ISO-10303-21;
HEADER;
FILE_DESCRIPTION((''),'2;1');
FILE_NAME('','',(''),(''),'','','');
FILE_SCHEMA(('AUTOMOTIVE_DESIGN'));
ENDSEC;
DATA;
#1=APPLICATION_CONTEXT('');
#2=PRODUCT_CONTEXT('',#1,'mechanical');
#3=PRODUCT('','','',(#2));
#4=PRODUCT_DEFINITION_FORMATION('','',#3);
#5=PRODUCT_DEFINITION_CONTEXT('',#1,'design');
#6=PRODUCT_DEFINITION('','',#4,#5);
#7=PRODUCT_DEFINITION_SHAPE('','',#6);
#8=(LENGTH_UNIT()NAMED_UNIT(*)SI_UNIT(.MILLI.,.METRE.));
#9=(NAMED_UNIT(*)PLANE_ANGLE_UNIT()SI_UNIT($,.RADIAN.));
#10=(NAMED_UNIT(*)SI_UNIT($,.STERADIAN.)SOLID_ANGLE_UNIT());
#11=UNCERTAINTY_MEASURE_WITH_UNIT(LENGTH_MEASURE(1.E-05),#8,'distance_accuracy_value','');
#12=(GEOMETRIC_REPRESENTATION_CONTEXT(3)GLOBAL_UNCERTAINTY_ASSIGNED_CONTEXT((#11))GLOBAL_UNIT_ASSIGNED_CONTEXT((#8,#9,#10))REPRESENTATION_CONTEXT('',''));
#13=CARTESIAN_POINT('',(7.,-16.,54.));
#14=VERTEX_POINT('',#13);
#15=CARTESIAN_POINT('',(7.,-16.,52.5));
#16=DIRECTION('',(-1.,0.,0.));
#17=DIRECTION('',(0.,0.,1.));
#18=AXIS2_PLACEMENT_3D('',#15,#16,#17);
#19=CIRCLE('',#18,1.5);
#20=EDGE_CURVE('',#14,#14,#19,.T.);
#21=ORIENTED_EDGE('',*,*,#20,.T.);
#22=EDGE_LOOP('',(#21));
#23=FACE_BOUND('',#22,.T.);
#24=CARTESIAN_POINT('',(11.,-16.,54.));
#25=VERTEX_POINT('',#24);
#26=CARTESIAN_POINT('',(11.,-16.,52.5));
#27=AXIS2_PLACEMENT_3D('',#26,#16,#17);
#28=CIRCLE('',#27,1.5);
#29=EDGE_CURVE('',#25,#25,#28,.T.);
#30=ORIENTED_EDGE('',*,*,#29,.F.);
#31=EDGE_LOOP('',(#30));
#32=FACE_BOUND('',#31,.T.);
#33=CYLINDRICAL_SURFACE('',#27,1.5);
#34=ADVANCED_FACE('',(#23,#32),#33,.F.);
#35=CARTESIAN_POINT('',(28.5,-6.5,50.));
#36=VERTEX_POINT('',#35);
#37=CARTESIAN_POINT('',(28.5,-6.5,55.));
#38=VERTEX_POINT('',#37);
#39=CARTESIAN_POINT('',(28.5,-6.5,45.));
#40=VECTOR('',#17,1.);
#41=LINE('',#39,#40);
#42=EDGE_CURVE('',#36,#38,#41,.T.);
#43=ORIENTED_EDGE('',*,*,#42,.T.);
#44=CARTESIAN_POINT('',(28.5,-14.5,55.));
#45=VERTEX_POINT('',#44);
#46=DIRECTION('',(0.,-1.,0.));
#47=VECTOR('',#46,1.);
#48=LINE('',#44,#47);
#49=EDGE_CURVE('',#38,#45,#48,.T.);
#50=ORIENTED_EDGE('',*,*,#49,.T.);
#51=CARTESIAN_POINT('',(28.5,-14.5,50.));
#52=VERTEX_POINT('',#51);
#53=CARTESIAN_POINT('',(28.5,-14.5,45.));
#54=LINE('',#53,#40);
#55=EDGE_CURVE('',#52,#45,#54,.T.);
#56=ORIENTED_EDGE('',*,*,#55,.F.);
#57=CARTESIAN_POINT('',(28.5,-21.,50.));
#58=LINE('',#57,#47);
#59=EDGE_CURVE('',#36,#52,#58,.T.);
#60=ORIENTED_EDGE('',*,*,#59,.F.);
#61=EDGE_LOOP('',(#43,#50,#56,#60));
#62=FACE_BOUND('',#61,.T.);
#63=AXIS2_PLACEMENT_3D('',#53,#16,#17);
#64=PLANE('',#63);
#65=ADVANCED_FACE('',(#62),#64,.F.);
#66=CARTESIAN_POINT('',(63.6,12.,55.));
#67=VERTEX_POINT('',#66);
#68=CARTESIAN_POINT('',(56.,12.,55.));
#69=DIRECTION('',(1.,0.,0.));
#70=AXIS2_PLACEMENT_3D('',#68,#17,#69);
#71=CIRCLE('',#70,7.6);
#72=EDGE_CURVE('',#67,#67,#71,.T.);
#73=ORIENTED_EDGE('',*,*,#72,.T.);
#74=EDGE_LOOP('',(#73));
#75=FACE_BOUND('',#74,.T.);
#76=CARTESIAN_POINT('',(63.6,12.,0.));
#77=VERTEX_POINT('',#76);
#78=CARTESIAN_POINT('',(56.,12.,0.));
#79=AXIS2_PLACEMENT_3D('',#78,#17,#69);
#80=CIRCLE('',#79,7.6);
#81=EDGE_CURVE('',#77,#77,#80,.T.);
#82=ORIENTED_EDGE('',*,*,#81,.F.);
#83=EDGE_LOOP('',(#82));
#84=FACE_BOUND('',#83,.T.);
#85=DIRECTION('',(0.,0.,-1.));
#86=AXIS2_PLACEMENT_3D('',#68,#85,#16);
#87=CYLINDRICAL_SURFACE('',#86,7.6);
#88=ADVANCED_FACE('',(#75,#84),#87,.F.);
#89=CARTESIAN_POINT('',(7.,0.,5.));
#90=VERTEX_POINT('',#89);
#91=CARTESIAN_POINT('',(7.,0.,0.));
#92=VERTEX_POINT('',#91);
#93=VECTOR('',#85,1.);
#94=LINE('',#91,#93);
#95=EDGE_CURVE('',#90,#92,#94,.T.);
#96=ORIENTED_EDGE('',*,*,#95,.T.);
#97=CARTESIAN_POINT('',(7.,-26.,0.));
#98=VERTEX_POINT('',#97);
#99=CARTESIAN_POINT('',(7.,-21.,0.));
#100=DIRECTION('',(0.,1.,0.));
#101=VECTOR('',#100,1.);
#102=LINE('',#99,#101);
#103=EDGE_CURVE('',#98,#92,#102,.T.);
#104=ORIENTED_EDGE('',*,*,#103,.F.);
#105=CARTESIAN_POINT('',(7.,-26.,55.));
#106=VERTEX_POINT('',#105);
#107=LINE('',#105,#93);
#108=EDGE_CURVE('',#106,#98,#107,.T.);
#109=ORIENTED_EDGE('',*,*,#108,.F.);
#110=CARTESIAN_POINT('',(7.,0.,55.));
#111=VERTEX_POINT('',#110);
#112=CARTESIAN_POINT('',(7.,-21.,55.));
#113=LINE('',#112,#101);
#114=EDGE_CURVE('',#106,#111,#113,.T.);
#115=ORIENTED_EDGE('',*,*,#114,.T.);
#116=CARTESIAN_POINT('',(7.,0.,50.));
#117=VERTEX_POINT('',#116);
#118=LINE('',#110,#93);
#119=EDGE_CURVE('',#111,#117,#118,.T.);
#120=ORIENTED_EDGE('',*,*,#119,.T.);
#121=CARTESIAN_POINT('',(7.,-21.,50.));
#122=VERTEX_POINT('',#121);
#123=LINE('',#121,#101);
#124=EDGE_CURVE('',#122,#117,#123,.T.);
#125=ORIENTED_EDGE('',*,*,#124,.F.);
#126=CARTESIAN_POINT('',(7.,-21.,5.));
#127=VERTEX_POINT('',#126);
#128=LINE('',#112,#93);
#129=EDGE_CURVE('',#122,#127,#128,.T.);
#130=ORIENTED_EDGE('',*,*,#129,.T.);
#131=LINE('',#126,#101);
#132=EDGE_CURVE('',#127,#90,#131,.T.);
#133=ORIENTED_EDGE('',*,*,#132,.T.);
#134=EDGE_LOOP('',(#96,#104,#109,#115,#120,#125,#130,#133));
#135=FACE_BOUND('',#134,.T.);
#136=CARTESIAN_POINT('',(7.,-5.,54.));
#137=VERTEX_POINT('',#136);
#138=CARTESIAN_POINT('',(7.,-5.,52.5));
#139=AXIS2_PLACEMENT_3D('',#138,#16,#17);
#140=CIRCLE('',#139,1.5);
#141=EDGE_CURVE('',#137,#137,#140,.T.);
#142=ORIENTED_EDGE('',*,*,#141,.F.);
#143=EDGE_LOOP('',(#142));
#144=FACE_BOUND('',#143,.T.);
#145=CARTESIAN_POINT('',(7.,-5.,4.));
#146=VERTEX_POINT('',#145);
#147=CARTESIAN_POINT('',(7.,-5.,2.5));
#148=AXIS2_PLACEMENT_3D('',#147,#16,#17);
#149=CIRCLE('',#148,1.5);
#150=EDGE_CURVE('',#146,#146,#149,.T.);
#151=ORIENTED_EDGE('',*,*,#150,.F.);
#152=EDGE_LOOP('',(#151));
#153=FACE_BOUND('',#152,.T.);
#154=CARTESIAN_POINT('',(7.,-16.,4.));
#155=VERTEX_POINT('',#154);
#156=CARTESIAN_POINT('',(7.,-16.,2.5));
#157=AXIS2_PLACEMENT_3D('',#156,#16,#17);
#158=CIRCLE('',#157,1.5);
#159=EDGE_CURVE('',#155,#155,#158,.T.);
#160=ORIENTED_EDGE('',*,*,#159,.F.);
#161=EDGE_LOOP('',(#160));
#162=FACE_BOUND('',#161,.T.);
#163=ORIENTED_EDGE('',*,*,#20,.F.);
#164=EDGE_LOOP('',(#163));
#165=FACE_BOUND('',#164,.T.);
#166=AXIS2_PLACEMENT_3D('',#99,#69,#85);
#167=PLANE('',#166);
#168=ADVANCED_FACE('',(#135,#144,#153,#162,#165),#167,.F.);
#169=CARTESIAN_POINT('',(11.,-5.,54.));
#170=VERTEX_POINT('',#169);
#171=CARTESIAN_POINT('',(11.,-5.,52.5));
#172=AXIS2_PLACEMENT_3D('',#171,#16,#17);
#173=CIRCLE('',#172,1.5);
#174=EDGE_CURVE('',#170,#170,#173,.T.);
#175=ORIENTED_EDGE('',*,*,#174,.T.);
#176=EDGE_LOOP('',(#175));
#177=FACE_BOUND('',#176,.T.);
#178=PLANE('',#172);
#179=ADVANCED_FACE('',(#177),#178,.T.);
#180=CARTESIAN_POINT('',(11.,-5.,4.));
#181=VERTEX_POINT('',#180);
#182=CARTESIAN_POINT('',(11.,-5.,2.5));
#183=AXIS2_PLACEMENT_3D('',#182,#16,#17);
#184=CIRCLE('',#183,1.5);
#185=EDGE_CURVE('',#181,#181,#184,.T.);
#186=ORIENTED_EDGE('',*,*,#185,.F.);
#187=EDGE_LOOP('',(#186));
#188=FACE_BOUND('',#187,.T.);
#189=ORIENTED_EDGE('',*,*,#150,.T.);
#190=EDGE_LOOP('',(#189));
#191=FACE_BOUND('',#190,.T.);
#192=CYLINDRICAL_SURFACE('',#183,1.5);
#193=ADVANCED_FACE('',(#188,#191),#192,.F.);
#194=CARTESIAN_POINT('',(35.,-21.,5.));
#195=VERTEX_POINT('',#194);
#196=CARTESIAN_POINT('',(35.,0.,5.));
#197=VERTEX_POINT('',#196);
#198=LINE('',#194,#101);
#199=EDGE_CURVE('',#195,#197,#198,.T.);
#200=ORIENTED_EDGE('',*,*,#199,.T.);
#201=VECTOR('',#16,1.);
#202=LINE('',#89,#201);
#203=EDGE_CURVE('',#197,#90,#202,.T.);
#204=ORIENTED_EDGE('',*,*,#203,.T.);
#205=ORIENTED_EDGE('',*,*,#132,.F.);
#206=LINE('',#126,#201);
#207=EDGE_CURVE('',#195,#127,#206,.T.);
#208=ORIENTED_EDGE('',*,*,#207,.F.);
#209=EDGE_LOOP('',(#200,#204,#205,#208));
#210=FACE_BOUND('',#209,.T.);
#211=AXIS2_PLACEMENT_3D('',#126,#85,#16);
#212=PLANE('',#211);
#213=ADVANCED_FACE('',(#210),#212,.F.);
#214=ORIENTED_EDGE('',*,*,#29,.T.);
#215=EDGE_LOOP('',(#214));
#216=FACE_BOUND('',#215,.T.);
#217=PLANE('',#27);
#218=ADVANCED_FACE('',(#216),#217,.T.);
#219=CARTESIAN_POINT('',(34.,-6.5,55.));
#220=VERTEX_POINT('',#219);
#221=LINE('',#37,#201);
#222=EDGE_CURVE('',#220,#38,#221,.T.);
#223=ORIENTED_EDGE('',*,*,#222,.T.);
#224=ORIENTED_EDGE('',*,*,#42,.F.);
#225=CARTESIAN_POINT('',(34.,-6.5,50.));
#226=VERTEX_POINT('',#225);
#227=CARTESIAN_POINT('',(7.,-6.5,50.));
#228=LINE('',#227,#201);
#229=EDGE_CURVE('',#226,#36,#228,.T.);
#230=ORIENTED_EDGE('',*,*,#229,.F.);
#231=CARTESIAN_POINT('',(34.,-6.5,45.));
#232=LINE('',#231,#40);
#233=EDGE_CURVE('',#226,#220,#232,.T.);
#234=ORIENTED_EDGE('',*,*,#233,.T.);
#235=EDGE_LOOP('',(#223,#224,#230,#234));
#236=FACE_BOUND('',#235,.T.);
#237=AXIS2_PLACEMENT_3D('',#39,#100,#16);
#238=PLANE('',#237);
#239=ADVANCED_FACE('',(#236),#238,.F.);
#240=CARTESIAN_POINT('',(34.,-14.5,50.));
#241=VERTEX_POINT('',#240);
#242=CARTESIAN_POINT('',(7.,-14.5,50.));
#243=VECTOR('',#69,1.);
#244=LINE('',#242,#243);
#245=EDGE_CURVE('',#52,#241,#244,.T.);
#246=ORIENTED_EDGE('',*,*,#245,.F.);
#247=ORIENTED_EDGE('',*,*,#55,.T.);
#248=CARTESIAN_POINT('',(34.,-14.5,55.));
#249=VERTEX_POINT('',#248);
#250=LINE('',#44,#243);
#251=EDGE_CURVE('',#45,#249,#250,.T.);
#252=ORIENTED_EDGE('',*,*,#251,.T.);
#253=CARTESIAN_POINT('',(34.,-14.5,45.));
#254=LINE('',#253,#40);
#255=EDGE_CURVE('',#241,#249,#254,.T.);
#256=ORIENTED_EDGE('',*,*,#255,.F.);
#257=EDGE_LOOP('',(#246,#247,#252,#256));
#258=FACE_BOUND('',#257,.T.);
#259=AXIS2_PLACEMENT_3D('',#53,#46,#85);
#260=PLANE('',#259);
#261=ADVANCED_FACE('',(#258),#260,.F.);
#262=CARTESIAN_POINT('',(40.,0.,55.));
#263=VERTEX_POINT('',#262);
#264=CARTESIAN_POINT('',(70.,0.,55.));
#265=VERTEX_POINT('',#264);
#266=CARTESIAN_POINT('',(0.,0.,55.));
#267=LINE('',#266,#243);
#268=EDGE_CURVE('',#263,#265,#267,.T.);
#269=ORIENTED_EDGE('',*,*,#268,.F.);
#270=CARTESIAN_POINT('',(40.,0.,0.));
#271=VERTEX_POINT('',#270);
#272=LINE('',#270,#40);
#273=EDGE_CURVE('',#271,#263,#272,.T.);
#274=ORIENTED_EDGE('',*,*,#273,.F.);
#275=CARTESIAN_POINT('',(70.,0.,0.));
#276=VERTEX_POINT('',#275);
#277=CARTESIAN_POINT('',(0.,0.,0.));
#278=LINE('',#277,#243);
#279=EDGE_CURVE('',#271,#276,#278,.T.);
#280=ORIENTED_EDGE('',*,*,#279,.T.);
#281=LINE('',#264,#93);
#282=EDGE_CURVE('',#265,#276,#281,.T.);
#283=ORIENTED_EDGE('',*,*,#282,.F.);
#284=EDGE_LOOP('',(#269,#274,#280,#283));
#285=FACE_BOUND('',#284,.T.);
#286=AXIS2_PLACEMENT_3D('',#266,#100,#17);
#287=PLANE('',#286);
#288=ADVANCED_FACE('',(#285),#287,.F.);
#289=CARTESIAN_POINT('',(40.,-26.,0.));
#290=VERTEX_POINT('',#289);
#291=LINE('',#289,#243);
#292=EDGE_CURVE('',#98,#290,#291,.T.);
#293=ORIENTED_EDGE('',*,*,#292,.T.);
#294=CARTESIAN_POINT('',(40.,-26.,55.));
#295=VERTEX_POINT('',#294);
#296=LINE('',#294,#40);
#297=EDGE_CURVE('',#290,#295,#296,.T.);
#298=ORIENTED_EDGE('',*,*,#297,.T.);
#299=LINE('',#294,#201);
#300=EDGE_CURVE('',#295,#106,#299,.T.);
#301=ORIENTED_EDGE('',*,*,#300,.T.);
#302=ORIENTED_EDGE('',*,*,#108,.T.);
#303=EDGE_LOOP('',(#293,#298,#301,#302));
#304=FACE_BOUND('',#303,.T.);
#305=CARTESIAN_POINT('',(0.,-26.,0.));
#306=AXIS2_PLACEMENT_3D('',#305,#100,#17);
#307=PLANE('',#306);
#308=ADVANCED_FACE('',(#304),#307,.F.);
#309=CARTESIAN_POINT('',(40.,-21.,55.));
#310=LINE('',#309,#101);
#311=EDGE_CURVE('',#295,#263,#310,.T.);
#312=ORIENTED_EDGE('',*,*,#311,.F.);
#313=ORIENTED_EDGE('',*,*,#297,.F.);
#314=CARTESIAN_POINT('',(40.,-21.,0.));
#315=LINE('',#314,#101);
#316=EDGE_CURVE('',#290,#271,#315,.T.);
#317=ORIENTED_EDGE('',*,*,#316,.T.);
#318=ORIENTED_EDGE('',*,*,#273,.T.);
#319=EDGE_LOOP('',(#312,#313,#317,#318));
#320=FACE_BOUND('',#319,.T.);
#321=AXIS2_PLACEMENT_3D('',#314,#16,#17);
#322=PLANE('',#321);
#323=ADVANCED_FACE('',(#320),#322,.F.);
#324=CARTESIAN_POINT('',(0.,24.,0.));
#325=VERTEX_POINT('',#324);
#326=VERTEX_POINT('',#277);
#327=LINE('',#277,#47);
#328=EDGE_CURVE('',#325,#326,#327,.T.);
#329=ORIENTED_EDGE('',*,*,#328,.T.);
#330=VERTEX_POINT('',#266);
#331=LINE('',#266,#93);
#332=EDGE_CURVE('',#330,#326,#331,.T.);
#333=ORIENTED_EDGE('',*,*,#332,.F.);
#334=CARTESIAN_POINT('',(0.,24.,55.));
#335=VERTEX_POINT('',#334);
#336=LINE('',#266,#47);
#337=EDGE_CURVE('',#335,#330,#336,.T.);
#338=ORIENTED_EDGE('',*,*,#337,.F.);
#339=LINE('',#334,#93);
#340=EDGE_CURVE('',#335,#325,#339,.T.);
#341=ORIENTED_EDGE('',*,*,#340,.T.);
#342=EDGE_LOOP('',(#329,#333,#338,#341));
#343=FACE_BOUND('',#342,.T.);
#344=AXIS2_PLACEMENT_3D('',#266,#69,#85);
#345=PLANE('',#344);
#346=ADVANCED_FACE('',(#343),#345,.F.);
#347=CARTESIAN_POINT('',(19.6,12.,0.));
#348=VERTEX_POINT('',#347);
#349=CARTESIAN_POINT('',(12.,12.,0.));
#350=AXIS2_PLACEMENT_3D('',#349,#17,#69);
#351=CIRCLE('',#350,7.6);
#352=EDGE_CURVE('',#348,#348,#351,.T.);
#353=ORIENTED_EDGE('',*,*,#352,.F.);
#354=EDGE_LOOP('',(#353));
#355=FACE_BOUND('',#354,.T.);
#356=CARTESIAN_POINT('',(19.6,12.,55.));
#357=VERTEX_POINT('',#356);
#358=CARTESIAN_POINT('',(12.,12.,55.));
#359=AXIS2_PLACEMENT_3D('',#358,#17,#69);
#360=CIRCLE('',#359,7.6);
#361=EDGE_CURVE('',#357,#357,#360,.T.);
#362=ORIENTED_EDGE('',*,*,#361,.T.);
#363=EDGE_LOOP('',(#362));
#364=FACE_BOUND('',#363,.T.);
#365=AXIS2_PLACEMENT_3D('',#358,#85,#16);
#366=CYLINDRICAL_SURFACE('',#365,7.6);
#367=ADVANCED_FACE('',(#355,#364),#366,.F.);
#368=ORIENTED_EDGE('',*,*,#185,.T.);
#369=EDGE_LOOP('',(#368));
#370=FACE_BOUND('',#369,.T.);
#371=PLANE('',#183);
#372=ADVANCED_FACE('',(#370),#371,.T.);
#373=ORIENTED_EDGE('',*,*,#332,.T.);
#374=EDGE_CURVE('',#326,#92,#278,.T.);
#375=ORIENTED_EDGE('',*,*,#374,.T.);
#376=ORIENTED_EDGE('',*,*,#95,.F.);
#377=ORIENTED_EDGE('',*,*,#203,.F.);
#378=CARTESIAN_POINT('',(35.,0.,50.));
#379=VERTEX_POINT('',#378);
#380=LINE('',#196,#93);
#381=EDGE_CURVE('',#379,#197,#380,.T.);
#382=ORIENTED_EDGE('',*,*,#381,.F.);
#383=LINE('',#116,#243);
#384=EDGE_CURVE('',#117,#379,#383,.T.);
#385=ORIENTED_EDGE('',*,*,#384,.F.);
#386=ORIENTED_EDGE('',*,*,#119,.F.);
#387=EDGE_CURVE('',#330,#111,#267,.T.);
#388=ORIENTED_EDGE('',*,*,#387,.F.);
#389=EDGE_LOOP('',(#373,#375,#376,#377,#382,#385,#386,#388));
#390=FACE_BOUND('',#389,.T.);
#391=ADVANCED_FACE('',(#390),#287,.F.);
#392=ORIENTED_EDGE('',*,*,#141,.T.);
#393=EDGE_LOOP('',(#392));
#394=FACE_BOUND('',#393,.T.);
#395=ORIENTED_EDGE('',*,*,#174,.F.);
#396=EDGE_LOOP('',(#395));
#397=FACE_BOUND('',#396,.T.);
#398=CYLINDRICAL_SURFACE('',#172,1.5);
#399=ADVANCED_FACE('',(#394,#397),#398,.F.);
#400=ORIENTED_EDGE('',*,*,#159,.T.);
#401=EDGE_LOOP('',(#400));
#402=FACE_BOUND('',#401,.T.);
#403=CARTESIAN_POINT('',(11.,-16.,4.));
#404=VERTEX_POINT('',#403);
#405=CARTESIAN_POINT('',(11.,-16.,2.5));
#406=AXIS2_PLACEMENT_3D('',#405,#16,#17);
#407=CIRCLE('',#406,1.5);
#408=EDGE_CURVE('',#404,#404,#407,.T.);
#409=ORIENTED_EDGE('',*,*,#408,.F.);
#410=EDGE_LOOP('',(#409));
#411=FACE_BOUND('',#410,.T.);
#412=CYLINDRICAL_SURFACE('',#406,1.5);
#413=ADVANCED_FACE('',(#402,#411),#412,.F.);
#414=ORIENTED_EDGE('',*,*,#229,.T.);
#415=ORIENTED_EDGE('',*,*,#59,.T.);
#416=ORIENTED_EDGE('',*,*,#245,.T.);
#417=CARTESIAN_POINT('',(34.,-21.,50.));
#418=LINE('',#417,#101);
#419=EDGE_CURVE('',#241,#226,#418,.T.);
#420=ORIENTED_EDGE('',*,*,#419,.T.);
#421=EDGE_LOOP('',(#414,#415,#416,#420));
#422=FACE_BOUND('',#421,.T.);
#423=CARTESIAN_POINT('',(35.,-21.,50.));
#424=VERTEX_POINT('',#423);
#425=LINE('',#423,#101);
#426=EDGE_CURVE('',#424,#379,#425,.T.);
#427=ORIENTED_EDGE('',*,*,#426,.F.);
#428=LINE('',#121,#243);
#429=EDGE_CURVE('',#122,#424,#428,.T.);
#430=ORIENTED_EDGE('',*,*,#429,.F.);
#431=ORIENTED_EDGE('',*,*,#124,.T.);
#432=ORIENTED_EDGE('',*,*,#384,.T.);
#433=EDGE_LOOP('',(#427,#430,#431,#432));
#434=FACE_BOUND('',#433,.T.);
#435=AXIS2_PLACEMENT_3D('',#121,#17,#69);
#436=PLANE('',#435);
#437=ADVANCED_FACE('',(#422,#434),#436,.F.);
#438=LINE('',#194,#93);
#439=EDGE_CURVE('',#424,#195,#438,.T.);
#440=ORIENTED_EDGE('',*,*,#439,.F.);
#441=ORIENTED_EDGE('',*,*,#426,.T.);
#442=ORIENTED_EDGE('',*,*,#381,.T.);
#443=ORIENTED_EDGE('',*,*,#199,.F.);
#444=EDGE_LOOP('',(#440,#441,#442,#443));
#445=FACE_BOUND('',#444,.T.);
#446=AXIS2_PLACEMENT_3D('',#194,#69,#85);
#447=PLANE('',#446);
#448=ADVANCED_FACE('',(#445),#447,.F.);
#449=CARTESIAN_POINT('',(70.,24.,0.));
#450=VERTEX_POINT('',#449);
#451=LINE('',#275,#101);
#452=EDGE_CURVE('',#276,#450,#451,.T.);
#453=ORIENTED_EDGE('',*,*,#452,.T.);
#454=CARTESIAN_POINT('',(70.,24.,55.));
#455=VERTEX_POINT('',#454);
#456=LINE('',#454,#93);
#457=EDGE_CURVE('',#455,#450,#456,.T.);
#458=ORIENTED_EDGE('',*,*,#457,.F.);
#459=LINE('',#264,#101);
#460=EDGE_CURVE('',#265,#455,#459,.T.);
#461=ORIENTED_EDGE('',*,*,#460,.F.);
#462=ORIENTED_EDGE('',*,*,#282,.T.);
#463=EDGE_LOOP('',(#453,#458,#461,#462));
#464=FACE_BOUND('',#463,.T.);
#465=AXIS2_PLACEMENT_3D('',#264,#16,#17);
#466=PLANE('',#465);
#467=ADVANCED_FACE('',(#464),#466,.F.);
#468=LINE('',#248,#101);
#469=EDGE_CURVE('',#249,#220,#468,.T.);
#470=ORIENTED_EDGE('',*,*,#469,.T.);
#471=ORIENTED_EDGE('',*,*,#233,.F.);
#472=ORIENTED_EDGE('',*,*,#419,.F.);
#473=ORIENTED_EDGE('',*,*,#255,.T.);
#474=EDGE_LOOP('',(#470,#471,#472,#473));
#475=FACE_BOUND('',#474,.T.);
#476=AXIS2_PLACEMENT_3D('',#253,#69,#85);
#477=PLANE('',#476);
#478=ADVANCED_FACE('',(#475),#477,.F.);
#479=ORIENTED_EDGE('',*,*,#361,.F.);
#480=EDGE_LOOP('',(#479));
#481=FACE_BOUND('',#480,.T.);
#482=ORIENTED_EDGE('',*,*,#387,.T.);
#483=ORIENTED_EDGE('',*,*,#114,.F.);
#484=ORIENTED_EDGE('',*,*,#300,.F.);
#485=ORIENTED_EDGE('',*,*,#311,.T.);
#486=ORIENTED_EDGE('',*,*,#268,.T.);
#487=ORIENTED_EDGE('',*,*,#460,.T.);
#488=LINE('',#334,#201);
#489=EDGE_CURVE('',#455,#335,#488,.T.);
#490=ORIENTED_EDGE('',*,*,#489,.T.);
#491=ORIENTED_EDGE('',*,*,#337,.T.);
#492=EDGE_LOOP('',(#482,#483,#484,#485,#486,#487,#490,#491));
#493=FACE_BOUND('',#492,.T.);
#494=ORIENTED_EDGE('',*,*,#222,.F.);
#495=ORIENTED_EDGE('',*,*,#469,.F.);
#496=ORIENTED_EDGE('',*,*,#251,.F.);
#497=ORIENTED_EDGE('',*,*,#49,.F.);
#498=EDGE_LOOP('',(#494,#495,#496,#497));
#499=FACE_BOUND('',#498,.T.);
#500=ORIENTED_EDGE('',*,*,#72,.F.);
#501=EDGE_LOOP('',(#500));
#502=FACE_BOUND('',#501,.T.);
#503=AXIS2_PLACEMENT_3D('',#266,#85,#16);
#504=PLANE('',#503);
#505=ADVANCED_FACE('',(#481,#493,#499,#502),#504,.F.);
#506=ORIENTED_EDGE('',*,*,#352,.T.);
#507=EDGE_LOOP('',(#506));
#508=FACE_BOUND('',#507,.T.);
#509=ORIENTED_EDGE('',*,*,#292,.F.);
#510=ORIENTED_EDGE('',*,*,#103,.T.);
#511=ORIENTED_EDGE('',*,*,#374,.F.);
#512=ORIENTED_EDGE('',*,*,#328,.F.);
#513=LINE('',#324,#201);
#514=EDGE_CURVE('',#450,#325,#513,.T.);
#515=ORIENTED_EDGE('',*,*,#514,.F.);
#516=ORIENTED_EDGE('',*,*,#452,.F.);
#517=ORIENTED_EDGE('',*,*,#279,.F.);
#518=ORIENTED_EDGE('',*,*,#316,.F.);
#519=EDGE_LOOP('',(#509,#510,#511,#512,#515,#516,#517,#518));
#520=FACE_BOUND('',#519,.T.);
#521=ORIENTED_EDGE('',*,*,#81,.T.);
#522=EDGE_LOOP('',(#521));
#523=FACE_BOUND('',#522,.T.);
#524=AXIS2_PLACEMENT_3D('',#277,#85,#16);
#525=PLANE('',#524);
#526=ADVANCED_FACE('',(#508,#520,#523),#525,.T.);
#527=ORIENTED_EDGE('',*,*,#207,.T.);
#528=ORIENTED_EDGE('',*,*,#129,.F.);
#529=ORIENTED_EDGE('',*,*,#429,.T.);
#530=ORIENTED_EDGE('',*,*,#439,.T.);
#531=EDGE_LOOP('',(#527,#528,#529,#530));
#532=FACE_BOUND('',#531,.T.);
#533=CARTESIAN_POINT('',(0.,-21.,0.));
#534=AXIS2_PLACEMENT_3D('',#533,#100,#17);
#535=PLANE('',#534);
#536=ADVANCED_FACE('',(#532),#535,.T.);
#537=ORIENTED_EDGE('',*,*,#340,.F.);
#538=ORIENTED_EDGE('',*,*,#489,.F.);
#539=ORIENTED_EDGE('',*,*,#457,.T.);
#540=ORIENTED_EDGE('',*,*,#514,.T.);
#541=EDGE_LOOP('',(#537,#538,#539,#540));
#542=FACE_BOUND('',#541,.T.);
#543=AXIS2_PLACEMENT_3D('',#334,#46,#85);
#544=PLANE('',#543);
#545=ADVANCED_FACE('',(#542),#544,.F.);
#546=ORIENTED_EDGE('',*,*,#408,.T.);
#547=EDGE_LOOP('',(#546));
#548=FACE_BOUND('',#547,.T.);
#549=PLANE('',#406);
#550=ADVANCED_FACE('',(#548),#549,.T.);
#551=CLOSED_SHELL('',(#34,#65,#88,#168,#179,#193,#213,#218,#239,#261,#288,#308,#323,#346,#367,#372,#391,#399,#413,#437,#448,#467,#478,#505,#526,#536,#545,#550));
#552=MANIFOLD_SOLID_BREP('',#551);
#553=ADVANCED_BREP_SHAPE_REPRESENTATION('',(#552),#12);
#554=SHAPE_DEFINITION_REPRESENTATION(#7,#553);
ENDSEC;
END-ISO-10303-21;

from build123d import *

# Parameters (mm, degrees)
ESQUISSE1_W             = 70
ESQUISSE1_H             = 24
BOSS_EXTRU_1_DEPTH      = 55
ESQUISSE2_R             = 7.6
ENL_V_MAT_EXTRU_1_DEPTH = 93.200867675
BOSS_EXTRU_3_DEPTH      = 21
ESQUISSE9_W             = 33
ESQUISSE9_H             = 55
BOSS_EXTRU_4_DEPTH      = 5
ESQUISSE10_R            = 1.5
ENL_V_MAT_EXTRU_4_DEPTH = 4
ESQUISSE11_W            = 5.5
ESQUISSE11_H            = 8
ENL_V_MAT_EXTRU_5_DEPTH = 10


with BuildPart() as part:
    # Esquisse1 → Boss.-Extru.1 (new body)
    with BuildSketch(Plane.XY):
        with Locations((35, 12)):
            Rectangle(ESQUISSE1_W, ESQUISSE1_H)
    extrude(amount=BOSS_EXTRU_1_DEPTH)

    # Esquisse2 → Enlèv. mat.-Extru.1 (cut, through all)
    with BuildSketch(Plane.XY):
        with Locations((56, 12)):
            Circle(ESQUISSE2_R)
        with Locations((12, 12)):
            Circle(ESQUISSE2_R)
    extrude(amount=ENL_V_MAT_EXTRU_1_DEPTH, mode=Mode.SUBTRACT)

    # Esquisse6 → Boss.-Extru.3 (add)
    with BuildSketch(Plane.XZ):
        Polygon((7, 0), (40, 0), (40, 55), (7, 55), (7, 50), (35, 50), (35, 5), (7, 5), align=None)
    extrude(amount=BOSS_EXTRU_3_DEPTH)

    # Esquisse9 → Boss.-Extru.4 (add)
    with BuildSketch(Plane.XZ.offset(21)):
        with Locations((23.5, 27.5)):
            Rectangle(ESQUISSE9_W, ESQUISSE9_H)
    extrude(amount=BOSS_EXTRU_4_DEPTH)

    # Esquisse10 → Enlèv. mat.-Extru.4 (cut)
    with BuildSketch(Plane.ZY.offset(-7)):
        with Locations((52.5, -16)):
            Circle(ESQUISSE10_R)
        with Locations((52.5, -5)):
            Circle(ESQUISSE10_R)
        with Locations((2.5, -16)):
            Circle(ESQUISSE10_R)
        with Locations((2.5, -5)):
            Circle(ESQUISSE10_R)
    extrude(amount=-ENL_V_MAT_EXTRU_4_DEPTH, mode=Mode.SUBTRACT)

    # Esquisse11 → Enlèv. mat.-Extru.5 (cut)
    with BuildSketch(Plane.XY.offset(55)):
        with Locations((31.25, -10.5)):
            Rectangle(ESQUISSE11_W, ESQUISSE11_H)
    extrude(amount=-ENL_V_MAT_EXTRU_5_DEPTH, mode=Mode.SUBTRACT)


solid = part.part
